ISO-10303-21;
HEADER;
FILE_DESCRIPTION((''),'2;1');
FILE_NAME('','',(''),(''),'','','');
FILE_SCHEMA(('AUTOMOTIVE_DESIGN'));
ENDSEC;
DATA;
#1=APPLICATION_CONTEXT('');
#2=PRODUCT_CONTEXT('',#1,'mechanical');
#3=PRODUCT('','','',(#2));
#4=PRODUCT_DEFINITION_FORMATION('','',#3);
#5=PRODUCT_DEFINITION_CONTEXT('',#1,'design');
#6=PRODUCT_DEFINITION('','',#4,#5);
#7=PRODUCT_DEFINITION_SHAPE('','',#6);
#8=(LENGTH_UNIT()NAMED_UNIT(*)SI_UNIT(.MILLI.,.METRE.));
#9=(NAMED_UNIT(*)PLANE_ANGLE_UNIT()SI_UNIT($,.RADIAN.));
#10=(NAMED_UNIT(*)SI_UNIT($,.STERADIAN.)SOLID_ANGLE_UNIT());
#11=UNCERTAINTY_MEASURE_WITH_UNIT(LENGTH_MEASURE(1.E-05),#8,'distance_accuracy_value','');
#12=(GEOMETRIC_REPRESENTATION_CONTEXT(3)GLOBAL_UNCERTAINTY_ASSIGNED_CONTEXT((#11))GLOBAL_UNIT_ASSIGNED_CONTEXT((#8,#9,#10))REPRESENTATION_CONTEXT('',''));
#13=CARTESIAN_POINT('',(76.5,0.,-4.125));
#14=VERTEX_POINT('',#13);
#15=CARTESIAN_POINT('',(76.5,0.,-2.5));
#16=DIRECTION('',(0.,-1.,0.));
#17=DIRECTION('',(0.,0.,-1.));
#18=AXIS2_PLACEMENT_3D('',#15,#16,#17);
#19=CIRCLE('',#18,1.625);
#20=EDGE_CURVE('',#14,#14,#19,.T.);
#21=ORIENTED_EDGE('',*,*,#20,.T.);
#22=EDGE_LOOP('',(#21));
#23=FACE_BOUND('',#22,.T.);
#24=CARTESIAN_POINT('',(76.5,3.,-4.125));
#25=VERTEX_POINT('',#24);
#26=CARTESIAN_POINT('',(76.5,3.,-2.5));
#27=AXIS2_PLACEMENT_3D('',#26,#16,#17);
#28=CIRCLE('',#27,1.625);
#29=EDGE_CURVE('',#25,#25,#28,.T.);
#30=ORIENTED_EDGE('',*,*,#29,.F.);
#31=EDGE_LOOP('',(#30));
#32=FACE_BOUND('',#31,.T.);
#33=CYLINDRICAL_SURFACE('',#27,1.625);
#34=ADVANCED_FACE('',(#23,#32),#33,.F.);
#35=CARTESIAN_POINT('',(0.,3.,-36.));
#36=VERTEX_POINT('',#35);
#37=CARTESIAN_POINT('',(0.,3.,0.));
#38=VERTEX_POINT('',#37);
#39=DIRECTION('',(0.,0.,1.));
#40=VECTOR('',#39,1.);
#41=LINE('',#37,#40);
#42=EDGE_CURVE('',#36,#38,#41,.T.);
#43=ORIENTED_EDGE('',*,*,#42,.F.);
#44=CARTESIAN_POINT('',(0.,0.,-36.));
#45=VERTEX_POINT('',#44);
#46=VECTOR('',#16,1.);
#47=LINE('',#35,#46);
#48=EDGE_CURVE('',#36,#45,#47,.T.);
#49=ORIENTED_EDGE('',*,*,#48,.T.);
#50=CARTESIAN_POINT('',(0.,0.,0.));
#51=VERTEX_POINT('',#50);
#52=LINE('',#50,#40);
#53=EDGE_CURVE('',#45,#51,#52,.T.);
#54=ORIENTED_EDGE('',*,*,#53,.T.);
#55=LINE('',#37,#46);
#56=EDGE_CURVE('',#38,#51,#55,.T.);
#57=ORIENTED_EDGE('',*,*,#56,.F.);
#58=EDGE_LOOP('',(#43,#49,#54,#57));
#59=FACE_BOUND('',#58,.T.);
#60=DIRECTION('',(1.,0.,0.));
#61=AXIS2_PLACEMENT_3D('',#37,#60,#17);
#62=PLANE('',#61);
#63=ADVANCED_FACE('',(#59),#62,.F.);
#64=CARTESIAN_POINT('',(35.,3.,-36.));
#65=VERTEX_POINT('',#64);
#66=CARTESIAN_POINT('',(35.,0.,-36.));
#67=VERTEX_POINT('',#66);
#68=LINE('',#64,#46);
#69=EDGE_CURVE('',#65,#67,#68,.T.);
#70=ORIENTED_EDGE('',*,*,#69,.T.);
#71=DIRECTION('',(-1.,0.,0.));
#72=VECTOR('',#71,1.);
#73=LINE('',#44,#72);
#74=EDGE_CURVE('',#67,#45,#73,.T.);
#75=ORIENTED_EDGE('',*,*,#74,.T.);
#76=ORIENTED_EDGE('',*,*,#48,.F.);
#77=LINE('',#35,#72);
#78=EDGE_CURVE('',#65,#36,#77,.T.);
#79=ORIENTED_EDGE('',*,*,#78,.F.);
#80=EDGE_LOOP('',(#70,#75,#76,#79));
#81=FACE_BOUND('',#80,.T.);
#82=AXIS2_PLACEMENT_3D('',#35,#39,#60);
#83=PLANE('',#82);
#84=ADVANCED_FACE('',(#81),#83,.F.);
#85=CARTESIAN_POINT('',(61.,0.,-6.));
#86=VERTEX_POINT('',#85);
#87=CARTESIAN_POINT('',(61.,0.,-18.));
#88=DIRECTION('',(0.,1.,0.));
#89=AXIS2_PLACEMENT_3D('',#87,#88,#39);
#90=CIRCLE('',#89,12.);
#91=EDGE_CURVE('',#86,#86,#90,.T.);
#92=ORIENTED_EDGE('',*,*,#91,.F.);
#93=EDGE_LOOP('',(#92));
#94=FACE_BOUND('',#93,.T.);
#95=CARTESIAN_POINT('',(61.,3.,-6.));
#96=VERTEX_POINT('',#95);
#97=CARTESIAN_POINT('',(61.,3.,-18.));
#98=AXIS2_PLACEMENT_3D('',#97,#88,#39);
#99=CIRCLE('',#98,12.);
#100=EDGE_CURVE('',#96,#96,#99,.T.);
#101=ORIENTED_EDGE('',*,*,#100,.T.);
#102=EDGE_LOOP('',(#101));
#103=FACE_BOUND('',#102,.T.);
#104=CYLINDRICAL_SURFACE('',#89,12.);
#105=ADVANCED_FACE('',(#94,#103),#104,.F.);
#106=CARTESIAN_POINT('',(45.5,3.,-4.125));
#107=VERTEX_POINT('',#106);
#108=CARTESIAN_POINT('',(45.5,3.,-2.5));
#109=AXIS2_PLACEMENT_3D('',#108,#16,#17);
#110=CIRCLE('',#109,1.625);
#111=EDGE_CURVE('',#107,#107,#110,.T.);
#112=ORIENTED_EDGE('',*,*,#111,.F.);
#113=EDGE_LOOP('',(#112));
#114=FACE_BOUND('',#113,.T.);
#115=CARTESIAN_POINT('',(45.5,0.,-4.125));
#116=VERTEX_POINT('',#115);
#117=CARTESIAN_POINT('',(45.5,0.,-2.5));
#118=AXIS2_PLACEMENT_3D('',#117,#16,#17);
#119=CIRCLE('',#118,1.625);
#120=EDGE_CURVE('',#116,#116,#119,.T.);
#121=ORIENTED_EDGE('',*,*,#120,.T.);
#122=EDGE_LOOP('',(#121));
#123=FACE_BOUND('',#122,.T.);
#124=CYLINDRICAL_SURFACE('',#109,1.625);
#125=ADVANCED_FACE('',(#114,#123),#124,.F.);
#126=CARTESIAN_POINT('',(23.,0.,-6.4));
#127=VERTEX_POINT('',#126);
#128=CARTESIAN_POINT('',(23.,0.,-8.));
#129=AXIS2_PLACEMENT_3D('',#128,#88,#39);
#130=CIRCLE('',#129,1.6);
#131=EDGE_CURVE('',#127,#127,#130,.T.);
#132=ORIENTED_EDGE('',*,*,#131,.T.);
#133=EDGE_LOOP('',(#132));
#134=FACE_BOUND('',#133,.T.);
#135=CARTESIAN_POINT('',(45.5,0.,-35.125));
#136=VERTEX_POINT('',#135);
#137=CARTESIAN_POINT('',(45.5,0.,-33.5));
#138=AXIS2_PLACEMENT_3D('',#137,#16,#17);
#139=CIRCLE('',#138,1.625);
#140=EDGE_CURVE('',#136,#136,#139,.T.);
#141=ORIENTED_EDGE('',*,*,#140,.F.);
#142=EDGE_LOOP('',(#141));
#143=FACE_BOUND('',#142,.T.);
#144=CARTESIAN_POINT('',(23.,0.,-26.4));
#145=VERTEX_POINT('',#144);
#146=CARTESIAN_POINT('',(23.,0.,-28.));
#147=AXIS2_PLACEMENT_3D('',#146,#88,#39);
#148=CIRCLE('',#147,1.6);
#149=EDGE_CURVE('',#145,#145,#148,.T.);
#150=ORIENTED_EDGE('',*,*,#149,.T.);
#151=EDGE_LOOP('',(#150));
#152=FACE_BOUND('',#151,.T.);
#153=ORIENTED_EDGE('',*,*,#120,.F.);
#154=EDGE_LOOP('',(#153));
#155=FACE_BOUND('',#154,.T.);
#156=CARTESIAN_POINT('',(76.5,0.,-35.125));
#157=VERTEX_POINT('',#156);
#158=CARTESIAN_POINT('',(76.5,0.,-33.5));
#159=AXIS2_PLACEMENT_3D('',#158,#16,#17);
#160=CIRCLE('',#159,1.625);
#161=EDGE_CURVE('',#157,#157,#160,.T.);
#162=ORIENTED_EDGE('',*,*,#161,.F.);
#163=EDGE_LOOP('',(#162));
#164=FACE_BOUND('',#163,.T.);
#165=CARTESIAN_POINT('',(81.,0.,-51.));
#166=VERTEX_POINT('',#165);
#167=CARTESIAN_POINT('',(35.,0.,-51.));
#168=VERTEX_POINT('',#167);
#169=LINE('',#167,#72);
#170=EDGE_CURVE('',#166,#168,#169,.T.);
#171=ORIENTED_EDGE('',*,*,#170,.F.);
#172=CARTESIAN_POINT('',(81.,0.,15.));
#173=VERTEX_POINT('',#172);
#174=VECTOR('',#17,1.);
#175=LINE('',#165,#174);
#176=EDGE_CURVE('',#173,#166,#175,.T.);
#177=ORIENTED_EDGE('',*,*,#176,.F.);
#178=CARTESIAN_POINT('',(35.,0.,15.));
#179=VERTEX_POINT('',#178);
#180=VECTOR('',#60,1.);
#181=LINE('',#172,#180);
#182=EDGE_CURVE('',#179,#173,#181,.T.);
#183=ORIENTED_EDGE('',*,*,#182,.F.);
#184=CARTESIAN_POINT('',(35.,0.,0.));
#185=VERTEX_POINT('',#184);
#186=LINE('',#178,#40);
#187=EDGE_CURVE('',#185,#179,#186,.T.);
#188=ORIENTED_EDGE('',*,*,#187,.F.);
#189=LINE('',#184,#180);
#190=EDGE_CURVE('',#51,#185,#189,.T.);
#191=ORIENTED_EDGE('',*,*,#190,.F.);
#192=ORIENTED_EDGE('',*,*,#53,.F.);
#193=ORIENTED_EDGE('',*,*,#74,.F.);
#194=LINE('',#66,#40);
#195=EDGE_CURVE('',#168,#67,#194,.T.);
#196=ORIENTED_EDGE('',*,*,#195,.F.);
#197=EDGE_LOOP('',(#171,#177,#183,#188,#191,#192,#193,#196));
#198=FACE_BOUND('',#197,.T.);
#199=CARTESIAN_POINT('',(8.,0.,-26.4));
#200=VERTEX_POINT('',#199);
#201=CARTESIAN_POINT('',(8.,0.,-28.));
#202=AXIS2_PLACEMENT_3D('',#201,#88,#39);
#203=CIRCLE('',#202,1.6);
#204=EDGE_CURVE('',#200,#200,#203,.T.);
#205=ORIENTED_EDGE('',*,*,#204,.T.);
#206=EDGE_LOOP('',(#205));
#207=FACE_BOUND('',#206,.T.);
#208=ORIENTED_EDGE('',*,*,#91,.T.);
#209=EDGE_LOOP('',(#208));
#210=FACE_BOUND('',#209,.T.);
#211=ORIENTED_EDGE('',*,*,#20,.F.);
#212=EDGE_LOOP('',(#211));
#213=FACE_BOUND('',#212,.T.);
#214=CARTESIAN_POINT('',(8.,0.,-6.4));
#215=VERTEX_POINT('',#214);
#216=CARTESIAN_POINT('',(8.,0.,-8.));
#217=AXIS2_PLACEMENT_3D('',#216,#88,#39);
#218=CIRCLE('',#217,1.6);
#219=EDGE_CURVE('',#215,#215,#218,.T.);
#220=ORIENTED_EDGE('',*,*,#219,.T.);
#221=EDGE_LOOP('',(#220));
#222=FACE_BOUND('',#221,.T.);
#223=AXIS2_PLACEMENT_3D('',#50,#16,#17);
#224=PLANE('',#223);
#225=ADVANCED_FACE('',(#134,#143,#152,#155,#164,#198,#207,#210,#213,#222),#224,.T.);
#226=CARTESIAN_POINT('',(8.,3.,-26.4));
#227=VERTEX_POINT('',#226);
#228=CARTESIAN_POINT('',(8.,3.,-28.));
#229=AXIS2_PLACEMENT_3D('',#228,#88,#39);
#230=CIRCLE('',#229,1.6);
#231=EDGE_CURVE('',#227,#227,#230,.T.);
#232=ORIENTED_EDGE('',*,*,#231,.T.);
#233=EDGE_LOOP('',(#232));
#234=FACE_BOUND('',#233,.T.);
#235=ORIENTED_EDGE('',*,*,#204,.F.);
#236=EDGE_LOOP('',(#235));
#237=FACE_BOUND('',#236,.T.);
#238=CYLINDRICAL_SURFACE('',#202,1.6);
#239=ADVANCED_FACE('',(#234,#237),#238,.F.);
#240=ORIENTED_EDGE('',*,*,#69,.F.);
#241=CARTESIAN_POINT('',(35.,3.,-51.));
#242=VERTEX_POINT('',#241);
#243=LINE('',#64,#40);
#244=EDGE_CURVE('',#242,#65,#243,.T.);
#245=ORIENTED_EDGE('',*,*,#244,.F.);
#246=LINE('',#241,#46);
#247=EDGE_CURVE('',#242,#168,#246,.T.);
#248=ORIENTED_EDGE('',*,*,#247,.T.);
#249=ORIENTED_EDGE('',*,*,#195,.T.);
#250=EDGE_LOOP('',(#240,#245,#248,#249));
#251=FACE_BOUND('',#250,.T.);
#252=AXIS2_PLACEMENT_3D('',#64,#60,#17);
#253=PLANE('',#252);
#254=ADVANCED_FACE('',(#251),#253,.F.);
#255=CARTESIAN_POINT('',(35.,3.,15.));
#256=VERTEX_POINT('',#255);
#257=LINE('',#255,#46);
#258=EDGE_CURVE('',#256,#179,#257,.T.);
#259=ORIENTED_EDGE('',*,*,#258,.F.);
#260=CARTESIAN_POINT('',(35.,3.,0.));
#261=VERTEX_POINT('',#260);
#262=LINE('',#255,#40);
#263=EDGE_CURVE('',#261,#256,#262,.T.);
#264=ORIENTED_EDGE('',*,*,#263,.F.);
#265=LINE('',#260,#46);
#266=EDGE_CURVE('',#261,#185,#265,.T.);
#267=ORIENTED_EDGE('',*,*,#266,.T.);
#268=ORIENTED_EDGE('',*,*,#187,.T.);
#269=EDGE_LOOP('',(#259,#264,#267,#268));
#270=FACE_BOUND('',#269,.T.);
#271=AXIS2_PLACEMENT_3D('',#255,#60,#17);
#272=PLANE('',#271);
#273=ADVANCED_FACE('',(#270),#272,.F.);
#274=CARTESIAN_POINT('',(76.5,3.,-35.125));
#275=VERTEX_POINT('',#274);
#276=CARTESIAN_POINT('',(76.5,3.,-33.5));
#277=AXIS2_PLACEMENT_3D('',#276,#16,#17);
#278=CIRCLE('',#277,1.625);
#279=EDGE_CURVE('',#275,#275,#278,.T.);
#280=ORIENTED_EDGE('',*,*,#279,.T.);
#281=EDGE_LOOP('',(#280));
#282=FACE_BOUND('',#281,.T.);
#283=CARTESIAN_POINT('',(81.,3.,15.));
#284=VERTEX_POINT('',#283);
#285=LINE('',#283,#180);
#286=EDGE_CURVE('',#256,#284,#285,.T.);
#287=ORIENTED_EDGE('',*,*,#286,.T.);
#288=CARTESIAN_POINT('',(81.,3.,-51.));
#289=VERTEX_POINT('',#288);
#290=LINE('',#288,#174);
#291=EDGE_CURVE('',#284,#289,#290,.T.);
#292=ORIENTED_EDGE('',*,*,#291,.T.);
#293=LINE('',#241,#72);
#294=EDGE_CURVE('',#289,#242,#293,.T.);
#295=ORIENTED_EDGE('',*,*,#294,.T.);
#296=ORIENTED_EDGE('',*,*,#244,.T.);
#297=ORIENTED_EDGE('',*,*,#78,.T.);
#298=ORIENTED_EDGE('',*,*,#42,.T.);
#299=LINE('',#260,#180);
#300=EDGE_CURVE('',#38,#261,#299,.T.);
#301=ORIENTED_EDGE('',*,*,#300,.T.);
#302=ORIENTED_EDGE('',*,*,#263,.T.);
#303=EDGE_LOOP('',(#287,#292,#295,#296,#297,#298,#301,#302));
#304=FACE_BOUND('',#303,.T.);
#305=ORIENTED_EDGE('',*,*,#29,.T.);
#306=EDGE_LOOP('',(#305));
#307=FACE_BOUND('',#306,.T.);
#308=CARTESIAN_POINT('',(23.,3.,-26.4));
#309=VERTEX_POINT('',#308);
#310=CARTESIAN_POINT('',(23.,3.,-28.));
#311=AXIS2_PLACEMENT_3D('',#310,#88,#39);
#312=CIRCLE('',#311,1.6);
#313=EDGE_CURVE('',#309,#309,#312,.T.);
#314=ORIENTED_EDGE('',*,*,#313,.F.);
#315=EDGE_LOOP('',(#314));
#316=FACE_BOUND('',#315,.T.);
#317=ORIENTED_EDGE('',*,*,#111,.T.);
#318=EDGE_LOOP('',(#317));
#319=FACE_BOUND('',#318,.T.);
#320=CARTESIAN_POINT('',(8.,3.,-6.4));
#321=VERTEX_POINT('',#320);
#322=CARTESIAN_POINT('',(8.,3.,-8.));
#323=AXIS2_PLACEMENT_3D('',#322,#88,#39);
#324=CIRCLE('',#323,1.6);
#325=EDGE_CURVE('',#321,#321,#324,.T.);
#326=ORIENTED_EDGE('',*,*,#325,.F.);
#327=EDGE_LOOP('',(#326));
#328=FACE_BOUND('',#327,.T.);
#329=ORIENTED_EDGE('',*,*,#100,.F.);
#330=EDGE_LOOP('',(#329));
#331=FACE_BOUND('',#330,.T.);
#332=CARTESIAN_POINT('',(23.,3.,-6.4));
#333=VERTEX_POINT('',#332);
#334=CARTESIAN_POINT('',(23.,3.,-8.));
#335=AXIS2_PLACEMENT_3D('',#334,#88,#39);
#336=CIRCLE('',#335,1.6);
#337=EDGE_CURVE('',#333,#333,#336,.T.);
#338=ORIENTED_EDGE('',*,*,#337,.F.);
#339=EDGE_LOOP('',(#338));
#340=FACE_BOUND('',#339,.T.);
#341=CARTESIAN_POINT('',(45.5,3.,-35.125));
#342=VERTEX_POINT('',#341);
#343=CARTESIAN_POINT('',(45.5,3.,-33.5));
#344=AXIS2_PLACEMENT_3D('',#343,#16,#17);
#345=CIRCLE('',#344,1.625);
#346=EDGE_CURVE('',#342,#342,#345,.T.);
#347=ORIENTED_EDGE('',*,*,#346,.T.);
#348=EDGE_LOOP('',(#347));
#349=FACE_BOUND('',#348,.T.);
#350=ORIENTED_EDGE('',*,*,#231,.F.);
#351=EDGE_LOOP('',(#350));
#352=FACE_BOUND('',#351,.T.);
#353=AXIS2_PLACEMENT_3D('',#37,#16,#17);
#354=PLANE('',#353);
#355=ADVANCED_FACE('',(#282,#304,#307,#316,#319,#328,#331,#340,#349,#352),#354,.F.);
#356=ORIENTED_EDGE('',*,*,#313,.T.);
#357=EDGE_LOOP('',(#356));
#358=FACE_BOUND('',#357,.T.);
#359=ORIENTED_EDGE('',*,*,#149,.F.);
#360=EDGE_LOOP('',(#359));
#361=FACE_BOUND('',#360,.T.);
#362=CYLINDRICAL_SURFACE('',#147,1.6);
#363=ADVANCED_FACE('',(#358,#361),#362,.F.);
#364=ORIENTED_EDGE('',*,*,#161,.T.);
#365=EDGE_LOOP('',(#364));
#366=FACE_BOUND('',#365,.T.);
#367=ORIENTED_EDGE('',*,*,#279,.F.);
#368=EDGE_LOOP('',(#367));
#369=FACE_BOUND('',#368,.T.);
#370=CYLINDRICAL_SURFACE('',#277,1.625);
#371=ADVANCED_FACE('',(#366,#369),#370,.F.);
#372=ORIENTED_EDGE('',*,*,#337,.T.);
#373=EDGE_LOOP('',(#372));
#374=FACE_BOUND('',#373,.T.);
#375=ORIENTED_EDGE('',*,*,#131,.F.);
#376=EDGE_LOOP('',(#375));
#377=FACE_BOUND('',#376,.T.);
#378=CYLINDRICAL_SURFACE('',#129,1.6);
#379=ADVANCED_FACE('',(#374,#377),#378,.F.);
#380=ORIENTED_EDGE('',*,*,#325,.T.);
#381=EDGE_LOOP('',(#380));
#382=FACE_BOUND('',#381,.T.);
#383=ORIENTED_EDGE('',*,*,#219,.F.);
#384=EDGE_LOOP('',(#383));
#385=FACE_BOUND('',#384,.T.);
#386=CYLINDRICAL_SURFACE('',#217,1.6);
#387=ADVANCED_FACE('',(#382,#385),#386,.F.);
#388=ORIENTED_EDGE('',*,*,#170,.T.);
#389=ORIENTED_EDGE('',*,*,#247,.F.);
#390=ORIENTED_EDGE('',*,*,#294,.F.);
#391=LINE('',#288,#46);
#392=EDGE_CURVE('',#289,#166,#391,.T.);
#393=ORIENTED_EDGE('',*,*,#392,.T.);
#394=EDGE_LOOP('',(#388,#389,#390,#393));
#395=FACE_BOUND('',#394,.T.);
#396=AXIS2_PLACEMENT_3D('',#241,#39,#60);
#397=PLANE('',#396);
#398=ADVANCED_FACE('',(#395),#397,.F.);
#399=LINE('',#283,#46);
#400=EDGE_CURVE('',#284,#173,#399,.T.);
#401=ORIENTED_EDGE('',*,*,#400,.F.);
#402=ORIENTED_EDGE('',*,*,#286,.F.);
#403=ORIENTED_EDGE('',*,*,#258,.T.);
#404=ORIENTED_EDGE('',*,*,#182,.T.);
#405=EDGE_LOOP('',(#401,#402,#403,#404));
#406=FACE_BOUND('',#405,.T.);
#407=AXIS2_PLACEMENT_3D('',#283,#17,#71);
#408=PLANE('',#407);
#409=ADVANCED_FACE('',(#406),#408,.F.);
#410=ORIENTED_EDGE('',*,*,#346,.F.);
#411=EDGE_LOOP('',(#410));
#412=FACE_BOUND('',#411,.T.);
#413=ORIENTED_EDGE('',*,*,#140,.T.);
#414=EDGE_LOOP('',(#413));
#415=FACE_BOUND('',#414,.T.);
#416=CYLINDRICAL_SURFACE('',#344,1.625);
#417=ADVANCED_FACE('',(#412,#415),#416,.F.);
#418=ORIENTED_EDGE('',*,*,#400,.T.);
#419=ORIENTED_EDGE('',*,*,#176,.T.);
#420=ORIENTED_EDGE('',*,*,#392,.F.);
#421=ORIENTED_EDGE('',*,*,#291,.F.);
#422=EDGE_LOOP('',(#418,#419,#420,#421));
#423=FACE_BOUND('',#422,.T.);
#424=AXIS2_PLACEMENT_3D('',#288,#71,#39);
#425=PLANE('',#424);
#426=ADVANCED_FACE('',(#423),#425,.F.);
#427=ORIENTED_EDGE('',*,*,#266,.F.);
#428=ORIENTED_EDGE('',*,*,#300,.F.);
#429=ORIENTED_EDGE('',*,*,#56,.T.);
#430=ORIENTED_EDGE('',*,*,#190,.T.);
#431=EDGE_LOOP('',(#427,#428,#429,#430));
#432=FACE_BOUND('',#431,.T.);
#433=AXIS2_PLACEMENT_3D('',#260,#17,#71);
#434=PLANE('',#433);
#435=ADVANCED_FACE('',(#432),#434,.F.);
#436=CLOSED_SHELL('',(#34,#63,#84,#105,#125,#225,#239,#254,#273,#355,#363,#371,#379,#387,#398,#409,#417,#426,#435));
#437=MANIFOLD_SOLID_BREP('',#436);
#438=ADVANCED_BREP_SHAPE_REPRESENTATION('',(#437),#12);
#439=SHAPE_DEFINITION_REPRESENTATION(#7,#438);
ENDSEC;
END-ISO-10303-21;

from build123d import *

# Parameters (mm, degrees)
EXTRUDE_1_DEPTH     = 3
SKETCH_2_R          = 1.6
SKETCH_2_R_2        = 12
CUT_EXTRUDE_1_DEPTH = 3
SKETCH_4_R          = 1.625
CUT_EXTRUDE_2_DEPTH = 96.765338197


with BuildPart() as part:
    # 草图1 → 凸台-拉伸1 (new body)
    with BuildSketch(Plane(origin=(0, 0, 0), x_dir=(1, 0, 0), z_dir=(0, 1, 0))):
        Polygon((0, 0), (0, 36), (35, 36), (35, 51), (81, 51), (81, -15), (35, -15), (35, 0), align=None)
    extrude(amount=EXTRUDE_1_DEPTH)

    # 草图2 → 切除-拉伸1 (cut)
    with BuildSketch(Plane(origin=(0, 3, 0), x_dir=(1, 0, 0), z_dir=(0, 1, 0))):
        with Locations(Location((8, 28, 0), (0, 0, 270))):
            Circle(SKETCH_2_R)
        with Locations(Location((23, 28, 0), (0, 0, 270))):
            Circle(SKETCH_2_R)
        with Locations(Location((8, 8, 0), (0, 0, 270))):
            Circle(SKETCH_2_R)
        with Locations(Location((23, 8, 0), (0, 0, 270))):
            Circle(SKETCH_2_R)
        with Locations(Location((61, 18, 0), (0, 0, 270))):
            Circle(SKETCH_2_R_2)
    extrude(amount=-CUT_EXTRUDE_1_DEPTH, mode=Mode.SUBTRACT)

    # 草图4 → 切除-拉伸2 (cut, through all)
    with BuildSketch(Plane.XZ):
        with Locations(Location((45.5, -33.5, 0), (0, 0, 270))):
            Circle(SKETCH_4_R)
        with Locations(Location((76.5, -33.5, 0), (0, 0, 270))):
            Circle(SKETCH_4_R)
        with Locations(Location((76.5, -2.5, 0), (0, 0, 270))):
            Circle(SKETCH_4_R)
        with Locations(Location((45.5, -2.5, 0), (0, 0, 270))):
            Circle(SKETCH_4_R)
    extrude(amount=-CUT_EXTRUDE_2_DEPTH, mode=Mode.SUBTRACT)


solid = part.part
